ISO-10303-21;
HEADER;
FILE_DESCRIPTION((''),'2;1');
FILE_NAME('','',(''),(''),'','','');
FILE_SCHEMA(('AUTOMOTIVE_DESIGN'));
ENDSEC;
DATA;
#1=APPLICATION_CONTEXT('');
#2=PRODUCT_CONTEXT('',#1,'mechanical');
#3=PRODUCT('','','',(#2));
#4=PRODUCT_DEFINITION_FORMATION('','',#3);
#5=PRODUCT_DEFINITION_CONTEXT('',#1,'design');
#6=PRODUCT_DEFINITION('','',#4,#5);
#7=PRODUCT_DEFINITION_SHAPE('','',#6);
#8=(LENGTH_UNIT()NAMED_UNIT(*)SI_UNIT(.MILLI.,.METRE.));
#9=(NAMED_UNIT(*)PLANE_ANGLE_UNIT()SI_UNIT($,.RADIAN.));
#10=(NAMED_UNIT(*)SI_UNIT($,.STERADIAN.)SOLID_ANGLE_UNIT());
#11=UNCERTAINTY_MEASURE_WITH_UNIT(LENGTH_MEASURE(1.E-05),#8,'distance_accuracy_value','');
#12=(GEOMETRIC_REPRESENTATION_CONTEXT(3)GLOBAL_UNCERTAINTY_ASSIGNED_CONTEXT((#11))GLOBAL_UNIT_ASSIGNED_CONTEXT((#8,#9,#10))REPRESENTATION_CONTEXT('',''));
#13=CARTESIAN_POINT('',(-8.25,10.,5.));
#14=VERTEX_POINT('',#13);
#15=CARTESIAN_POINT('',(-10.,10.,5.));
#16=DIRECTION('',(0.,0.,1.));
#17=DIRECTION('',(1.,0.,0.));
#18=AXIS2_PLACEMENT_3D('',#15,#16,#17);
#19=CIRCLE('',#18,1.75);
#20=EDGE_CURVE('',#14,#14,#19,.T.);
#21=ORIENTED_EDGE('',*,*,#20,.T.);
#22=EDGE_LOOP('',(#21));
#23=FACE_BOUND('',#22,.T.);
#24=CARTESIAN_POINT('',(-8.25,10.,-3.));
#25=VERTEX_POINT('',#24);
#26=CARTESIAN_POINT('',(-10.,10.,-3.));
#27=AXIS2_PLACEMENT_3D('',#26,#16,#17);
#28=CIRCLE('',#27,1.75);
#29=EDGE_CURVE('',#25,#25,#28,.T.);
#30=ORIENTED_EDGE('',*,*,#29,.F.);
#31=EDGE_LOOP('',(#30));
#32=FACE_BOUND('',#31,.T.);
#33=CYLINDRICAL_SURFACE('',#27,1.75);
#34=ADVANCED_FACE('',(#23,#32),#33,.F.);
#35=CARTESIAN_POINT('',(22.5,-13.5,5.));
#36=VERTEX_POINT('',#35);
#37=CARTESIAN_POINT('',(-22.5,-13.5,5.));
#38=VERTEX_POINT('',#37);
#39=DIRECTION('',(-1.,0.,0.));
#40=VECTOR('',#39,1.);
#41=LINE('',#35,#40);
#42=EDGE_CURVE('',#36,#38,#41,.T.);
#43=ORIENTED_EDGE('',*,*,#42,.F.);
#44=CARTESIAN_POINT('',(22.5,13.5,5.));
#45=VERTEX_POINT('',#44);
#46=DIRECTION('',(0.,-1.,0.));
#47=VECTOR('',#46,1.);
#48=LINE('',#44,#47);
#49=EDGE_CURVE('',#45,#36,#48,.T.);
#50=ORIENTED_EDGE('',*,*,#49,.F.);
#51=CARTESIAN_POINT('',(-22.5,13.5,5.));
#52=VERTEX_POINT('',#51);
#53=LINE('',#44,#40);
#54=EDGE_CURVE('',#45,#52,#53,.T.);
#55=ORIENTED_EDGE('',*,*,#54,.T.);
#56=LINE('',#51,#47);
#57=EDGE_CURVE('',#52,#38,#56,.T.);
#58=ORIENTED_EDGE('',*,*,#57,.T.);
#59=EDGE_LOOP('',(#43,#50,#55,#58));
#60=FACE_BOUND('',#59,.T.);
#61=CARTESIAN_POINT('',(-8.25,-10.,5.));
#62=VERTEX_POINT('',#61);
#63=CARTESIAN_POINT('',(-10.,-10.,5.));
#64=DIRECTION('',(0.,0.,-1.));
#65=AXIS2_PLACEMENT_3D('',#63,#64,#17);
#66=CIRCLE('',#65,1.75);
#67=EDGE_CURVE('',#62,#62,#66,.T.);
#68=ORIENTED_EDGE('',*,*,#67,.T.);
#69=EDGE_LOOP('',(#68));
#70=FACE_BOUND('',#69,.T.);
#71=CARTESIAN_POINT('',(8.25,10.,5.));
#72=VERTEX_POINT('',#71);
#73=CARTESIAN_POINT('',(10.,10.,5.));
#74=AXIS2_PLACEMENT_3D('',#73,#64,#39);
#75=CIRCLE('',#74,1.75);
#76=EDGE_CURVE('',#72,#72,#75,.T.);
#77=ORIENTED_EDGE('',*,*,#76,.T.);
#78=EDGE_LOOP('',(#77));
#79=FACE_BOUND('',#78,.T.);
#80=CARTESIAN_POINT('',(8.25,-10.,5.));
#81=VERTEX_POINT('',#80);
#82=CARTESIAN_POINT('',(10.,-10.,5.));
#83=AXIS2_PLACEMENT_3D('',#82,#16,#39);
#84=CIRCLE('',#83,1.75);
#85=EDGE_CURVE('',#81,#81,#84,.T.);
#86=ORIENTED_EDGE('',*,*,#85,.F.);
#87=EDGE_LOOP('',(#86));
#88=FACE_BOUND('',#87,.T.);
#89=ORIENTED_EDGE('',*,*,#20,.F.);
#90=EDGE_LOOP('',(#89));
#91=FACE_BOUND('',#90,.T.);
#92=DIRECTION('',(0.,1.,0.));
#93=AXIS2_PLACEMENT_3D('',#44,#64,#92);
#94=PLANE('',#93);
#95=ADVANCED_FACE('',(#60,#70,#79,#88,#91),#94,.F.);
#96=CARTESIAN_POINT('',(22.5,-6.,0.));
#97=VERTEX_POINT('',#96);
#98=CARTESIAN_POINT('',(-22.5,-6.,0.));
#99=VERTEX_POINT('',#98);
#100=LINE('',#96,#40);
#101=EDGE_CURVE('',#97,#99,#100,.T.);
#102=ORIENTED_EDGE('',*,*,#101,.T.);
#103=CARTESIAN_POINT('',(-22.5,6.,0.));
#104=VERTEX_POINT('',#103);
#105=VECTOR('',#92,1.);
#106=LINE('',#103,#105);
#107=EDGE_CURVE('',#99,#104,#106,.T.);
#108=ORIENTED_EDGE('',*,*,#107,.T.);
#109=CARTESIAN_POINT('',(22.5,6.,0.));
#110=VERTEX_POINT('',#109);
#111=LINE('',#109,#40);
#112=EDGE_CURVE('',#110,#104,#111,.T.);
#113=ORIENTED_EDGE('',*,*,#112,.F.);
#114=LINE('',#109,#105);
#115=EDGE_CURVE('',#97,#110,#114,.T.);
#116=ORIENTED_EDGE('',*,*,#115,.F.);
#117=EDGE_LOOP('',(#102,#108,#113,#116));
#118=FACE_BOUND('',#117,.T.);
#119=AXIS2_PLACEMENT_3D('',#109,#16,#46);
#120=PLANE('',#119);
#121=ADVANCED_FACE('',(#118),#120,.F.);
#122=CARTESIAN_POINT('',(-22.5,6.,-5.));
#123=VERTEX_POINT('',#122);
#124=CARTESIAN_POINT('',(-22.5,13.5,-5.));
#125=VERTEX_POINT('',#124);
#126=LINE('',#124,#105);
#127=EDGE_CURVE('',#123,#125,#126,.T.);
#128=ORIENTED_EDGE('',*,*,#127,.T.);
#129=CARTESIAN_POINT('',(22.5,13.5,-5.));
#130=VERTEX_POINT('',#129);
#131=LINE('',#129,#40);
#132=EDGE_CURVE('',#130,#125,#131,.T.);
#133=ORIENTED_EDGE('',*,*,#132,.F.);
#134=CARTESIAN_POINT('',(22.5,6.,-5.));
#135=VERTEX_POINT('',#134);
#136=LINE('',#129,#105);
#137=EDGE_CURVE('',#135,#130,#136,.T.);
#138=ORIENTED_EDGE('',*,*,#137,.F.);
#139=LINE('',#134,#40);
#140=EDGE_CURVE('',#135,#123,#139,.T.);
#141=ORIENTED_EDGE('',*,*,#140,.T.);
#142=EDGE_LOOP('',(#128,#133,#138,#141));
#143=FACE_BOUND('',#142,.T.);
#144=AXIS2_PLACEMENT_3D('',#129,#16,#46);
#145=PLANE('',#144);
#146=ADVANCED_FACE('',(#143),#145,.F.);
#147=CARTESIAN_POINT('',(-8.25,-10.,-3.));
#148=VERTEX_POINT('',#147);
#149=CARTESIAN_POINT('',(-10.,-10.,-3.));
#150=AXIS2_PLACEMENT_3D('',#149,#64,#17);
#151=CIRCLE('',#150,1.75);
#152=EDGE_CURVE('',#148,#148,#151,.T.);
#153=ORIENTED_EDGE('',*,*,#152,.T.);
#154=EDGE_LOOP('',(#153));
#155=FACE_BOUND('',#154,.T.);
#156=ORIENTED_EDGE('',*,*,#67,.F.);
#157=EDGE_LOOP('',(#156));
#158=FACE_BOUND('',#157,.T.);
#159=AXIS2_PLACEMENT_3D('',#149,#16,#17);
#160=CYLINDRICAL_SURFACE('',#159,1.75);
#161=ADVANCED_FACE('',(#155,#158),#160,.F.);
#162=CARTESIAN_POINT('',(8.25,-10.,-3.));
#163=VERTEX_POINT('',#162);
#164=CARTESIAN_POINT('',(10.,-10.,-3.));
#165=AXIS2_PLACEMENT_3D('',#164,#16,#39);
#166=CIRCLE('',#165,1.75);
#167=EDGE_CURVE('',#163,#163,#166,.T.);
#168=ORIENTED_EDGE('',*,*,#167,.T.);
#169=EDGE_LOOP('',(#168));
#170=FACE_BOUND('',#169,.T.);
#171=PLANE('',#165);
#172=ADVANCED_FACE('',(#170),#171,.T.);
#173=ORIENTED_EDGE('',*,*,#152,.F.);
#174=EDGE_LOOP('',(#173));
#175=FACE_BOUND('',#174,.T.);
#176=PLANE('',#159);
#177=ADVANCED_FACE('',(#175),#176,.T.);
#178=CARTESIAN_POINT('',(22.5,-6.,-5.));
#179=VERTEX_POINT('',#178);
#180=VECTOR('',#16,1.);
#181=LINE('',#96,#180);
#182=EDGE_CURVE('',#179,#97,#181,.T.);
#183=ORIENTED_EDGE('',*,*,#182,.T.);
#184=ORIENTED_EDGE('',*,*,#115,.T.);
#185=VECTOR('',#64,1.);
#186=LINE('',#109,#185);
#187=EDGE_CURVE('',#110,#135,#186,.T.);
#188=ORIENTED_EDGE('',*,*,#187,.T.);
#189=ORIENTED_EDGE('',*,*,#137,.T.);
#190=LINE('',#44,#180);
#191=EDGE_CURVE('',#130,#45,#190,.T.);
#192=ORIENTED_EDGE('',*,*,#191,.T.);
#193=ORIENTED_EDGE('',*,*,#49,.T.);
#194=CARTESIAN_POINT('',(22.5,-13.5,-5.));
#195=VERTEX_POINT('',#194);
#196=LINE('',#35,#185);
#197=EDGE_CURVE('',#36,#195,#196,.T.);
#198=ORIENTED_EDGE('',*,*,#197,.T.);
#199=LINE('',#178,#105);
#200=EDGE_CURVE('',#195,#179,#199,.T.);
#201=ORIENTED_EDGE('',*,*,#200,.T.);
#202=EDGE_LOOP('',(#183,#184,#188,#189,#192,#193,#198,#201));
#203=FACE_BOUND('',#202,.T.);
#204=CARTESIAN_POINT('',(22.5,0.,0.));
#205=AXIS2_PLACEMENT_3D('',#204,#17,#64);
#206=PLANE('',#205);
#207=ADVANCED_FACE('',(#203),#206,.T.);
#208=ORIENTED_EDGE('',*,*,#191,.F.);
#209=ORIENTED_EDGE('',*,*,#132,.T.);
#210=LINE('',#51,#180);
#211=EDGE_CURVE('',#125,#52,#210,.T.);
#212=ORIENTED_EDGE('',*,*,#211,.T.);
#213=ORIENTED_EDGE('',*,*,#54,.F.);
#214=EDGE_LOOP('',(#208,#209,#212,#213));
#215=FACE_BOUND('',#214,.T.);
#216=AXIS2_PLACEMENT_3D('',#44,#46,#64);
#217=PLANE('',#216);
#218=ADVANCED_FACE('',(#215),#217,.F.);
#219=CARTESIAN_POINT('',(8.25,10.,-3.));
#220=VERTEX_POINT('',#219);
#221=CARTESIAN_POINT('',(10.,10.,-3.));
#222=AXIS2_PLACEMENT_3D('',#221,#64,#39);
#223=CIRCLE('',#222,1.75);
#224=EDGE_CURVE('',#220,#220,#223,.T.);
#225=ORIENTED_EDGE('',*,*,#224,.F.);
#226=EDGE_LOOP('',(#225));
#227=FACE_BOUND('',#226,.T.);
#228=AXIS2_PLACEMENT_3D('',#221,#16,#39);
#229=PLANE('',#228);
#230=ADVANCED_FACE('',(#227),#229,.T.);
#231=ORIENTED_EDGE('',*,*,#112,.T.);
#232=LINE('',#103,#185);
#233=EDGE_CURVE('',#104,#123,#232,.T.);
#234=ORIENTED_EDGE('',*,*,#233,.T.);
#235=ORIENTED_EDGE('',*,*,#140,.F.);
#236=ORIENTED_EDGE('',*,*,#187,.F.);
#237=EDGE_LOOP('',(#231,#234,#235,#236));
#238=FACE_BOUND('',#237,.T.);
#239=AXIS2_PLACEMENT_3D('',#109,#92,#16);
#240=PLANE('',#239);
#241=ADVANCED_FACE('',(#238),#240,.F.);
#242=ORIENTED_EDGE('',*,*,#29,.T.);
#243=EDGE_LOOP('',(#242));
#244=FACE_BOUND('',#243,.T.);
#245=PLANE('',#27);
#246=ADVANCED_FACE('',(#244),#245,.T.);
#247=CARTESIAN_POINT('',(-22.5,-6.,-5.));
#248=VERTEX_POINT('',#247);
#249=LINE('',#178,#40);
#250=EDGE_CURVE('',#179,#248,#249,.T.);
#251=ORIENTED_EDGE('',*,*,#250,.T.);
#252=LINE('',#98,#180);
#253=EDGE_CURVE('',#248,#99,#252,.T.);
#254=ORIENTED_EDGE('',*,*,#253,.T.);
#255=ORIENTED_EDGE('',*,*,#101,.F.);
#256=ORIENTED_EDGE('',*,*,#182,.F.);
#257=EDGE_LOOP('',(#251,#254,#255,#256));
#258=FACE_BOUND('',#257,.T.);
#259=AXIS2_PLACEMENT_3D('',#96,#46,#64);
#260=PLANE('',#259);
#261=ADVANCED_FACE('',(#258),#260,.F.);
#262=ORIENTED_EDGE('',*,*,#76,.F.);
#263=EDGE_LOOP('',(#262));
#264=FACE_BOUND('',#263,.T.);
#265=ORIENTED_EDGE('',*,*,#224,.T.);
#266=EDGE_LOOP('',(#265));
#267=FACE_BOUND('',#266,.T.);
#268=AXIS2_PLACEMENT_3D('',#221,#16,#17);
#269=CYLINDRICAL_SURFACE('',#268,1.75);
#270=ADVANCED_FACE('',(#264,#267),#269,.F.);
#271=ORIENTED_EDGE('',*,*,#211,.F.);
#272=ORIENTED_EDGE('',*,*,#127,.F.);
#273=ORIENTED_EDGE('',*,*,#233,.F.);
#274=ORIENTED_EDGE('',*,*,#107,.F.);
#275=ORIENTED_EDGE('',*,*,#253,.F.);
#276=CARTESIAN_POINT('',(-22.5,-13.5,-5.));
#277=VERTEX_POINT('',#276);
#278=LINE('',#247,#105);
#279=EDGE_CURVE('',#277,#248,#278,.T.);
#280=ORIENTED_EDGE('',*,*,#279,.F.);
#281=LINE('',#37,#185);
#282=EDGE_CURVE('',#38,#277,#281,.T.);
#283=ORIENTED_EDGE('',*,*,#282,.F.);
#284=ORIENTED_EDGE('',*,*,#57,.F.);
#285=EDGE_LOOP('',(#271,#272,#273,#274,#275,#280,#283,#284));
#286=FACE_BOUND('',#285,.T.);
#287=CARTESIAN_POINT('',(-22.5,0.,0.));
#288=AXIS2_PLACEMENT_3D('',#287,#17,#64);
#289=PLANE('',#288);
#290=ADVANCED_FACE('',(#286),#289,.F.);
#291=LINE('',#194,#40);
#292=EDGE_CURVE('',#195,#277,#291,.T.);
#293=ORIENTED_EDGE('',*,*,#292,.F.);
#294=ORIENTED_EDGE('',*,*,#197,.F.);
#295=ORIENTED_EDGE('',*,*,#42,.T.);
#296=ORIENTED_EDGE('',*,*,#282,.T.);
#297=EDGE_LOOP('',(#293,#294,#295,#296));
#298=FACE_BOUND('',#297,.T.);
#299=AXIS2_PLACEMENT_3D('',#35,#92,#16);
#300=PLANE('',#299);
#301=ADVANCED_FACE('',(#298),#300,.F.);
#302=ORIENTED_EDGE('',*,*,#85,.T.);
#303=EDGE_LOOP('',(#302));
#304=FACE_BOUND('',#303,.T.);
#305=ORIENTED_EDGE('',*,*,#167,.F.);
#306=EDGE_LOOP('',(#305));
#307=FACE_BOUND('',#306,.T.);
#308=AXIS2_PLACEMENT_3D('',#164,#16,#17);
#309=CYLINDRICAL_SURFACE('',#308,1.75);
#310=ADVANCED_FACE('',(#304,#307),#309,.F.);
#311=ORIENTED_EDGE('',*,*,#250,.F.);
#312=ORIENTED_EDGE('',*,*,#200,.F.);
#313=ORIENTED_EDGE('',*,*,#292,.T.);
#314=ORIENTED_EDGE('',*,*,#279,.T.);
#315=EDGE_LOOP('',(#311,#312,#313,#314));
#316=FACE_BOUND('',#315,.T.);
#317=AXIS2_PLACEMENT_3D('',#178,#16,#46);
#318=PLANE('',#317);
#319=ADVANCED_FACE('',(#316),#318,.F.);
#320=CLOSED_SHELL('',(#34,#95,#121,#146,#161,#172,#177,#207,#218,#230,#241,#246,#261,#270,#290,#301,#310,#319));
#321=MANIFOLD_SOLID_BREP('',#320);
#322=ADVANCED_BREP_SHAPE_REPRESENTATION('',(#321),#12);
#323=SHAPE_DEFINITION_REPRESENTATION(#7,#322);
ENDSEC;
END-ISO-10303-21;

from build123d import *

# Parameters (mm, degrees)
BOSS_EXTRUDE1_DEPTH     = 22.5
SKETCH3_R               = 1.75
CUT_EXTRUDE1_DEPTH      = 8
MIRROR3_COPY_1_SKETCH_R = 1.75
MIRROR3_COPY_1_DEPTH    = 8


with BuildPart() as part:
    # Sketch1 → Boss-Extrude1 (new, symmetric)
    with BuildSketch(Plane(origin=(0, 0, 0), x_dir=(0, 0, -1), z_dir=(1, 0, 0))):
        Polygon((5, -6), (5, -13.5), (-5, -13.5), (-5, 13.5), (5, 13.5), (5, 6), (0, 6), (0, -6), align=None)
    extrude(amount=BOSS_EXTRUDE1_DEPTH, both=True)

    # Sketch3 → Cut-Extrude1 (cut)
    with BuildSketch(Plane.XY.offset(5)):
        with Locations((-10, 10)):
            Circle(SKETCH3_R)
    cut_extrude1 = extrude(amount=-CUT_EXTRUDE1_DEPTH, mode=Mode.SUBTRACT)

    # Mirror2: Cut-Extrude1 across plane
    add(cut_extrude1.mirror(Plane.ZX), mode=Mode.SUBTRACT)

    # Mirror3: Cut-Extrude1 across plane
    add(cut_extrude1.mirror(Plane(origin=(0, 0, 0), x_dir=(0, 0, 1), z_dir=(1, 0, 0))), mode=Mode.SUBTRACT)

    # Mirror3 copy 1 sketch → Mirror3 copy 1 (cut)
    with BuildSketch(Plane(origin=(0, 0, 5), x_dir=(-1, 0, 0), z_dir=(0, 0, 1))):
        with Locations((-10, 10)):
            Circle(MIRROR3_COPY_1_SKETCH_R)
    extrude(amount=-MIRROR3_COPY_1_DEPTH, mode=Mode.SUBTRACT)


solid = part.part
